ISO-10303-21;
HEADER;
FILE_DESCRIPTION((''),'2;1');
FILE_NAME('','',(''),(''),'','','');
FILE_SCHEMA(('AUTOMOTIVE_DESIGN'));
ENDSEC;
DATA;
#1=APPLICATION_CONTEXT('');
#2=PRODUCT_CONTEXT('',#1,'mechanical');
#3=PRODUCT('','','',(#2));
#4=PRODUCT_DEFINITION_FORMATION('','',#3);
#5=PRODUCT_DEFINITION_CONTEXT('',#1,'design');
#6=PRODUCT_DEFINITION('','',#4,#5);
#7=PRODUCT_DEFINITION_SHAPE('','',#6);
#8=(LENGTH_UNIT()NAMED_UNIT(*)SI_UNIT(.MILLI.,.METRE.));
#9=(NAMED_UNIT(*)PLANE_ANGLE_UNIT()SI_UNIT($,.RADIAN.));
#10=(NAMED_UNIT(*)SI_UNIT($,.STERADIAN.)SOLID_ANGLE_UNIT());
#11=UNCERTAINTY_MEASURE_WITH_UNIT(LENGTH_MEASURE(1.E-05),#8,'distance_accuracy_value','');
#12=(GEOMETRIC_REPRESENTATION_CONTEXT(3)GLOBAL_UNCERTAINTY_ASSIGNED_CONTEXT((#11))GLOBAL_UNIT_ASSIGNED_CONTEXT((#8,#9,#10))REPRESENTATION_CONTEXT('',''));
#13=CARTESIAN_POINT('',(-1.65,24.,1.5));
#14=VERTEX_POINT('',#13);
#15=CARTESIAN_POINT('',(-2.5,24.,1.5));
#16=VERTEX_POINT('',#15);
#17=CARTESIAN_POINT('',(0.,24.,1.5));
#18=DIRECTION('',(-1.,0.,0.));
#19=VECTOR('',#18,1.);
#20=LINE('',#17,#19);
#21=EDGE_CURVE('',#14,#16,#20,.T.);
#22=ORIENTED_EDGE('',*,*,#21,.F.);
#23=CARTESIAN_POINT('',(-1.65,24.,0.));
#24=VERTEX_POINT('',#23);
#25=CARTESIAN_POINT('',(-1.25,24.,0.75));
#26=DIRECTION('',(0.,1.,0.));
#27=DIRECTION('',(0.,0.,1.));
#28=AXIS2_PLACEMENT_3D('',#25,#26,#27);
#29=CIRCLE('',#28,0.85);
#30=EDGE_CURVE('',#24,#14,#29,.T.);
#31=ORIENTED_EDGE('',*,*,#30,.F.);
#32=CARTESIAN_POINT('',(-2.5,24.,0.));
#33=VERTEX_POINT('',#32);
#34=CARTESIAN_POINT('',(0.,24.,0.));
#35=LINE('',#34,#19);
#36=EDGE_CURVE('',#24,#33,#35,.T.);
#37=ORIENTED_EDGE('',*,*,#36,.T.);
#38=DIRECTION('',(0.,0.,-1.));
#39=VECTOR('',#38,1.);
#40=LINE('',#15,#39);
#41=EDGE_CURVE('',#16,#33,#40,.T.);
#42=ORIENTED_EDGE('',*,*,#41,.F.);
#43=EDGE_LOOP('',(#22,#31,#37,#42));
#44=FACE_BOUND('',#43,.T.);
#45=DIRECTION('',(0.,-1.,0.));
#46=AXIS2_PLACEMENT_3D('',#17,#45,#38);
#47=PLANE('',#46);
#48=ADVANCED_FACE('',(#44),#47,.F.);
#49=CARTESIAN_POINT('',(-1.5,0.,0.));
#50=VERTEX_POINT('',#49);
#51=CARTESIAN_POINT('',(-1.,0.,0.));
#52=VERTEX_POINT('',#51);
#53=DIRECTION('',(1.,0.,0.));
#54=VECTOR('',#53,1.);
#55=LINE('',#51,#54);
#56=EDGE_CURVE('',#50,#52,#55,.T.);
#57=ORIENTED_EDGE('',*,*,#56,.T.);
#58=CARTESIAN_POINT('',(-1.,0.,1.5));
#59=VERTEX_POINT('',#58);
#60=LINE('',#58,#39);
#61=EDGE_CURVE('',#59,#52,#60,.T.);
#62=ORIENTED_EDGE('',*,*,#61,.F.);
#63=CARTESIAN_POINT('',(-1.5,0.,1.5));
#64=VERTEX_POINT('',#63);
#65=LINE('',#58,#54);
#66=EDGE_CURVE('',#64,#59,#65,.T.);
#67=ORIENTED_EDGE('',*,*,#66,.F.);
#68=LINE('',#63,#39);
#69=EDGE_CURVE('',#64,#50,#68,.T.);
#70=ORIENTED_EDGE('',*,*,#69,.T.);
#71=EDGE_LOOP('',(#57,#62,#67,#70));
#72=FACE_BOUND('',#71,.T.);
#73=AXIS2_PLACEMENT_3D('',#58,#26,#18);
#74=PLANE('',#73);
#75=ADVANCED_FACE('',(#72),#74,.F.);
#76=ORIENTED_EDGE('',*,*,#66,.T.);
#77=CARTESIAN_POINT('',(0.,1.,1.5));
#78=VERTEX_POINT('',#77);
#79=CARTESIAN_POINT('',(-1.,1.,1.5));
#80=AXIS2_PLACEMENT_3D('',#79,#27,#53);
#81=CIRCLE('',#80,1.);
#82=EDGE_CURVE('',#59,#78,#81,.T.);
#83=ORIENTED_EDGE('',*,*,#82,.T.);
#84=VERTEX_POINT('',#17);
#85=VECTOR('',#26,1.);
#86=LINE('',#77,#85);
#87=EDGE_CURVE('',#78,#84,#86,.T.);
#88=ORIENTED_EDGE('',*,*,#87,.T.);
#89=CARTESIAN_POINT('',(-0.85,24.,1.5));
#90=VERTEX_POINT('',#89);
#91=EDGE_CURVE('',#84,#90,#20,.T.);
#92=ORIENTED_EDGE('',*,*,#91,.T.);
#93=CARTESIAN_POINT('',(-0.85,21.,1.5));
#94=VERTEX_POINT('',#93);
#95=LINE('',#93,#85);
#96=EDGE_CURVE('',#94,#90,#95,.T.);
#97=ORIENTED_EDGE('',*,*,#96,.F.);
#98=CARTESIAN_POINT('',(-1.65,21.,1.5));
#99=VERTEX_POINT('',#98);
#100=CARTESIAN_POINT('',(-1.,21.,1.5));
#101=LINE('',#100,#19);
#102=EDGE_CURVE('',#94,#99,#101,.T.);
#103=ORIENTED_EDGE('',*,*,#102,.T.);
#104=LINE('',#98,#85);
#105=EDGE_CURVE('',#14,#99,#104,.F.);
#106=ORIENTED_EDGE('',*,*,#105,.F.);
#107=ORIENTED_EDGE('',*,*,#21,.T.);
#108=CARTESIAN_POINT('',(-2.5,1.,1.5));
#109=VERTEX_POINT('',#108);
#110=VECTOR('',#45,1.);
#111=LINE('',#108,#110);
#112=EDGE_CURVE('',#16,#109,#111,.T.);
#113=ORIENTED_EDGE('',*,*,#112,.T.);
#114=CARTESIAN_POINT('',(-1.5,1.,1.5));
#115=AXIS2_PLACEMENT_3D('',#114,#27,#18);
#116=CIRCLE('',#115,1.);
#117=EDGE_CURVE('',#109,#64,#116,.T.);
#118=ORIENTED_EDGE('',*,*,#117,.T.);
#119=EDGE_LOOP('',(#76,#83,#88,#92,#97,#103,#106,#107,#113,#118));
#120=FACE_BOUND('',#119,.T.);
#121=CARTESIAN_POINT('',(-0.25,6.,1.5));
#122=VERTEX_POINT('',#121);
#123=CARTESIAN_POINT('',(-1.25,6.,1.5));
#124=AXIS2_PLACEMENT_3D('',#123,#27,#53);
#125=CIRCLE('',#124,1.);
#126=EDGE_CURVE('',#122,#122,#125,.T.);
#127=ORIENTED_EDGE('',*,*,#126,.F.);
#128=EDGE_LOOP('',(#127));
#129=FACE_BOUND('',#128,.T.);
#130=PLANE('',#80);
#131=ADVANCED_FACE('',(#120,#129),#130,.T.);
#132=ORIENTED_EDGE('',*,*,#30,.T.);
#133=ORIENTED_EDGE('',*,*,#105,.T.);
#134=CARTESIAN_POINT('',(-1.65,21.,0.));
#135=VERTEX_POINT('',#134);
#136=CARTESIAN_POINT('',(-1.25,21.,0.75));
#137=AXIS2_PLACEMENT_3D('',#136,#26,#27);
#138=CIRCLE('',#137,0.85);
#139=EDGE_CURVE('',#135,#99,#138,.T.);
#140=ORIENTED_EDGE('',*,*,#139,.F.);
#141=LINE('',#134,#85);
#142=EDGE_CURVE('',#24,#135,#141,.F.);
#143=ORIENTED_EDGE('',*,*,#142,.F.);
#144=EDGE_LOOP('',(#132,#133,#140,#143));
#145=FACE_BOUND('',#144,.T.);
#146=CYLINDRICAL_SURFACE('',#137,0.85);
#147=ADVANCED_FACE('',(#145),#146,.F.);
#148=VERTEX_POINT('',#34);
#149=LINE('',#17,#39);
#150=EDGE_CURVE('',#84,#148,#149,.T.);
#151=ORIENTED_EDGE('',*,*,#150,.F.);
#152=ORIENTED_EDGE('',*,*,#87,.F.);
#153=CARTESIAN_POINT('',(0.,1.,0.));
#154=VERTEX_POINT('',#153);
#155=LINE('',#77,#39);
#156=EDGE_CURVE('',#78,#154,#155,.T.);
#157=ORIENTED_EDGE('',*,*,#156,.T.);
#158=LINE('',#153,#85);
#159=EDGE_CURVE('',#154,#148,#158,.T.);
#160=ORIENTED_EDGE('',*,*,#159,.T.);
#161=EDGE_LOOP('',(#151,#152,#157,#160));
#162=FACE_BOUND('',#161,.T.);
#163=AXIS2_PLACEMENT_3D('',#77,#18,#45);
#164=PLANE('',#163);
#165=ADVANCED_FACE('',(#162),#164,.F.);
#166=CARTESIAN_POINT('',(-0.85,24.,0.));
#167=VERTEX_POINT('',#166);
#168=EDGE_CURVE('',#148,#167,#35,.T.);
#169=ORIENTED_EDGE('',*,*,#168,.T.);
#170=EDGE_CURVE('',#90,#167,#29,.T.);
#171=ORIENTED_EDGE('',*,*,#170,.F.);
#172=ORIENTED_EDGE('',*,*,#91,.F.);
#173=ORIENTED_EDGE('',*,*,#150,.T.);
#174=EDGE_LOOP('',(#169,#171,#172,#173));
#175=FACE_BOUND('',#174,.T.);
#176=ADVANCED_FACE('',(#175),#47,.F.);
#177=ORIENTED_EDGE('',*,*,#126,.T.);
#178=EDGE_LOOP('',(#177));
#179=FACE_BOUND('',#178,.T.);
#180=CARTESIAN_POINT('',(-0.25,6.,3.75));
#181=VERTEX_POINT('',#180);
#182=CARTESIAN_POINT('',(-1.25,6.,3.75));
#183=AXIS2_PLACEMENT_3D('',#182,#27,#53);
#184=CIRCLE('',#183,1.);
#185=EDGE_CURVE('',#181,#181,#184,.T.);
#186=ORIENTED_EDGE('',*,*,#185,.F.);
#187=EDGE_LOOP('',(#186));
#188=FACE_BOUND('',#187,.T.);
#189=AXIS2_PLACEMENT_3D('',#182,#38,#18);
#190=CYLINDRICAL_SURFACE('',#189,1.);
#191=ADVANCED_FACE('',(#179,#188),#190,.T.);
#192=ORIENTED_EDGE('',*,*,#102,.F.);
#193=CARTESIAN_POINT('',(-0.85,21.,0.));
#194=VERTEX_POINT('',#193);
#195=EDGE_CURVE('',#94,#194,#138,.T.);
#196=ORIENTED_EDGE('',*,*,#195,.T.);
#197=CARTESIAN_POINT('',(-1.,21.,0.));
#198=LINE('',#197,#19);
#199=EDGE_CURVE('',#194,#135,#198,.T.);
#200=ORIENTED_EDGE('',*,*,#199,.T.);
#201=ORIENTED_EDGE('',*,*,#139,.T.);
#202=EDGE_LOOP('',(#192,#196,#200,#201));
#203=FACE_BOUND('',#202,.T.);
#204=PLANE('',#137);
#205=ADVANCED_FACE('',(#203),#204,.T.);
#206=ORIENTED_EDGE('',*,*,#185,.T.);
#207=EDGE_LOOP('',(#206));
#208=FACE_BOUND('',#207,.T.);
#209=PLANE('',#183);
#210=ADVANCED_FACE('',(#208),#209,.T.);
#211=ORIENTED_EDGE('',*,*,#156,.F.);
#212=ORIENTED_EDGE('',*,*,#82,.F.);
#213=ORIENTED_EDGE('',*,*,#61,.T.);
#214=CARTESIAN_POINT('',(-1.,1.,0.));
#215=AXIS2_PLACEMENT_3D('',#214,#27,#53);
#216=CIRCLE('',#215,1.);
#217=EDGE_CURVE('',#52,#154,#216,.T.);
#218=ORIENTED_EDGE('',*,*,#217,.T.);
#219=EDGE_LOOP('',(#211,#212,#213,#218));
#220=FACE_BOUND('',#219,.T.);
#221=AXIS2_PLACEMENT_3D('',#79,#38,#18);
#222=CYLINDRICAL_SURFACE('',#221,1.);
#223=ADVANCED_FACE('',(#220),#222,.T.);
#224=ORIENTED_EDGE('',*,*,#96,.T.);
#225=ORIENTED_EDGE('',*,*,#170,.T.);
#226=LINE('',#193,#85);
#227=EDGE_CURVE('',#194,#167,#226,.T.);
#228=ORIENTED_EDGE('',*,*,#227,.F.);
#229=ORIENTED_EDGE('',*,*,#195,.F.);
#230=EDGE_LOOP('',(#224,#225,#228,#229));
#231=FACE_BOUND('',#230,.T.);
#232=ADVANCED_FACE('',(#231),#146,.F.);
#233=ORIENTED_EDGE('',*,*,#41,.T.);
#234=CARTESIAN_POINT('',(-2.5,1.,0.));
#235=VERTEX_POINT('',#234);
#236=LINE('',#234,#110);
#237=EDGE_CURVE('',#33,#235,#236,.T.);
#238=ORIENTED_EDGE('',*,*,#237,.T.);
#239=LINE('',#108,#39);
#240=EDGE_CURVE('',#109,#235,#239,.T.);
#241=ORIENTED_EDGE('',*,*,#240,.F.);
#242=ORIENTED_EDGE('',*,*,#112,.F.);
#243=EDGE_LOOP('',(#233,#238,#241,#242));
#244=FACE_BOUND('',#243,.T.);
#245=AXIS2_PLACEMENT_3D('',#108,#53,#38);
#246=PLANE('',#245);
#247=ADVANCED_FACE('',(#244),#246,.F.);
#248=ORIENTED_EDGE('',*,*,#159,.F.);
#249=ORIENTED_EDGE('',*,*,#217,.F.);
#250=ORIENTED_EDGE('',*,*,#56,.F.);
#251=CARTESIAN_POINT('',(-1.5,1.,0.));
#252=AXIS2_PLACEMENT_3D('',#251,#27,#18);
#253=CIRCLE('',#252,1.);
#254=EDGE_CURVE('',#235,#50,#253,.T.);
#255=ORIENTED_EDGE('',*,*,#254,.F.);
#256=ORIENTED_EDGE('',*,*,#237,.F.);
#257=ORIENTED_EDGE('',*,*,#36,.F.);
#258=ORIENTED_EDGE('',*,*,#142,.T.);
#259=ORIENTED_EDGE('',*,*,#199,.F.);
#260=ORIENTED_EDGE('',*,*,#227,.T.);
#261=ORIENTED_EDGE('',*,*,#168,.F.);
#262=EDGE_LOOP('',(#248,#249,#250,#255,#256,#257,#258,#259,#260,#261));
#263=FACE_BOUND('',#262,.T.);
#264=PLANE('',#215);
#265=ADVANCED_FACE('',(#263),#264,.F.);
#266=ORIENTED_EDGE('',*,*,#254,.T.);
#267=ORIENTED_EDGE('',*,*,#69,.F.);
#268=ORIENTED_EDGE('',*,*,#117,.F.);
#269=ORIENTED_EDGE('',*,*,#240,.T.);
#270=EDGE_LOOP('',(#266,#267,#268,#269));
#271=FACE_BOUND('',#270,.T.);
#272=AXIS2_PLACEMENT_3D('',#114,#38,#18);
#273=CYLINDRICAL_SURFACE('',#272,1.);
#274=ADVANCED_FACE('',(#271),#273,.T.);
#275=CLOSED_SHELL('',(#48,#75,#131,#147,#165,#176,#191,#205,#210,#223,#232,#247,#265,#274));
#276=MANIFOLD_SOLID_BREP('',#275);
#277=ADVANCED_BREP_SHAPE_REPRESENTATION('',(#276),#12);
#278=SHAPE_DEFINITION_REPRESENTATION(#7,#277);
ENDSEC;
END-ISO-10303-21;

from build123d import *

# Parameters (mm, degrees)
EXTRUDE_1_DEPTH     = 1.5
SKETCH_2_R          = 1
EXTRUDE_2_DEPTH     = 2.25
SKETCH_3_R          = 0.85
CUT_EXTRUDE_1_DEPTH = 3


with BuildPart() as part:
    # Эскиз1 → Бобышка-Вытянуть1 (new body)
    with BuildSketch(Plane.XY):
        with BuildLine():
            Line((-1, 0), (-1.5, 0))
            ThreePointArc((-1.5, 0), (-2.207106781, 0.292893219), (-2.5, 1))
            Line((-2.5, 1), (-2.5, 24))
            Line((-2.5, 24), (0, 24))
            Line((0, 24), (0, 1))
            ThreePointArc((0, 1), (-0.292893219, 0.292893219), (-1, 0))
        make_face()
    extrude(amount=EXTRUDE_1_DEPTH)

    # Эскиз2 → Бобышка-Вытянуть2 (add)
    with BuildSketch(Plane.XY.offset(1.5)):
        with Locations((-1.25, 6)):
            Circle(SKETCH_2_R)
    extrude(amount=EXTRUDE_2_DEPTH)

    # Эскиз3 → Вырез-Вытянуть1 (cut)
    with BuildSketch(Plane(origin=(0, 24, 0), x_dir=(1, 0, 0), z_dir=(0, 1, 0))):
        with Locations((-1.25, -0.75)):
            Circle(SKETCH_3_R)
    extrude(amount=-CUT_EXTRUDE_1_DEPTH, mode=Mode.SUBTRACT)


solid = part.part
